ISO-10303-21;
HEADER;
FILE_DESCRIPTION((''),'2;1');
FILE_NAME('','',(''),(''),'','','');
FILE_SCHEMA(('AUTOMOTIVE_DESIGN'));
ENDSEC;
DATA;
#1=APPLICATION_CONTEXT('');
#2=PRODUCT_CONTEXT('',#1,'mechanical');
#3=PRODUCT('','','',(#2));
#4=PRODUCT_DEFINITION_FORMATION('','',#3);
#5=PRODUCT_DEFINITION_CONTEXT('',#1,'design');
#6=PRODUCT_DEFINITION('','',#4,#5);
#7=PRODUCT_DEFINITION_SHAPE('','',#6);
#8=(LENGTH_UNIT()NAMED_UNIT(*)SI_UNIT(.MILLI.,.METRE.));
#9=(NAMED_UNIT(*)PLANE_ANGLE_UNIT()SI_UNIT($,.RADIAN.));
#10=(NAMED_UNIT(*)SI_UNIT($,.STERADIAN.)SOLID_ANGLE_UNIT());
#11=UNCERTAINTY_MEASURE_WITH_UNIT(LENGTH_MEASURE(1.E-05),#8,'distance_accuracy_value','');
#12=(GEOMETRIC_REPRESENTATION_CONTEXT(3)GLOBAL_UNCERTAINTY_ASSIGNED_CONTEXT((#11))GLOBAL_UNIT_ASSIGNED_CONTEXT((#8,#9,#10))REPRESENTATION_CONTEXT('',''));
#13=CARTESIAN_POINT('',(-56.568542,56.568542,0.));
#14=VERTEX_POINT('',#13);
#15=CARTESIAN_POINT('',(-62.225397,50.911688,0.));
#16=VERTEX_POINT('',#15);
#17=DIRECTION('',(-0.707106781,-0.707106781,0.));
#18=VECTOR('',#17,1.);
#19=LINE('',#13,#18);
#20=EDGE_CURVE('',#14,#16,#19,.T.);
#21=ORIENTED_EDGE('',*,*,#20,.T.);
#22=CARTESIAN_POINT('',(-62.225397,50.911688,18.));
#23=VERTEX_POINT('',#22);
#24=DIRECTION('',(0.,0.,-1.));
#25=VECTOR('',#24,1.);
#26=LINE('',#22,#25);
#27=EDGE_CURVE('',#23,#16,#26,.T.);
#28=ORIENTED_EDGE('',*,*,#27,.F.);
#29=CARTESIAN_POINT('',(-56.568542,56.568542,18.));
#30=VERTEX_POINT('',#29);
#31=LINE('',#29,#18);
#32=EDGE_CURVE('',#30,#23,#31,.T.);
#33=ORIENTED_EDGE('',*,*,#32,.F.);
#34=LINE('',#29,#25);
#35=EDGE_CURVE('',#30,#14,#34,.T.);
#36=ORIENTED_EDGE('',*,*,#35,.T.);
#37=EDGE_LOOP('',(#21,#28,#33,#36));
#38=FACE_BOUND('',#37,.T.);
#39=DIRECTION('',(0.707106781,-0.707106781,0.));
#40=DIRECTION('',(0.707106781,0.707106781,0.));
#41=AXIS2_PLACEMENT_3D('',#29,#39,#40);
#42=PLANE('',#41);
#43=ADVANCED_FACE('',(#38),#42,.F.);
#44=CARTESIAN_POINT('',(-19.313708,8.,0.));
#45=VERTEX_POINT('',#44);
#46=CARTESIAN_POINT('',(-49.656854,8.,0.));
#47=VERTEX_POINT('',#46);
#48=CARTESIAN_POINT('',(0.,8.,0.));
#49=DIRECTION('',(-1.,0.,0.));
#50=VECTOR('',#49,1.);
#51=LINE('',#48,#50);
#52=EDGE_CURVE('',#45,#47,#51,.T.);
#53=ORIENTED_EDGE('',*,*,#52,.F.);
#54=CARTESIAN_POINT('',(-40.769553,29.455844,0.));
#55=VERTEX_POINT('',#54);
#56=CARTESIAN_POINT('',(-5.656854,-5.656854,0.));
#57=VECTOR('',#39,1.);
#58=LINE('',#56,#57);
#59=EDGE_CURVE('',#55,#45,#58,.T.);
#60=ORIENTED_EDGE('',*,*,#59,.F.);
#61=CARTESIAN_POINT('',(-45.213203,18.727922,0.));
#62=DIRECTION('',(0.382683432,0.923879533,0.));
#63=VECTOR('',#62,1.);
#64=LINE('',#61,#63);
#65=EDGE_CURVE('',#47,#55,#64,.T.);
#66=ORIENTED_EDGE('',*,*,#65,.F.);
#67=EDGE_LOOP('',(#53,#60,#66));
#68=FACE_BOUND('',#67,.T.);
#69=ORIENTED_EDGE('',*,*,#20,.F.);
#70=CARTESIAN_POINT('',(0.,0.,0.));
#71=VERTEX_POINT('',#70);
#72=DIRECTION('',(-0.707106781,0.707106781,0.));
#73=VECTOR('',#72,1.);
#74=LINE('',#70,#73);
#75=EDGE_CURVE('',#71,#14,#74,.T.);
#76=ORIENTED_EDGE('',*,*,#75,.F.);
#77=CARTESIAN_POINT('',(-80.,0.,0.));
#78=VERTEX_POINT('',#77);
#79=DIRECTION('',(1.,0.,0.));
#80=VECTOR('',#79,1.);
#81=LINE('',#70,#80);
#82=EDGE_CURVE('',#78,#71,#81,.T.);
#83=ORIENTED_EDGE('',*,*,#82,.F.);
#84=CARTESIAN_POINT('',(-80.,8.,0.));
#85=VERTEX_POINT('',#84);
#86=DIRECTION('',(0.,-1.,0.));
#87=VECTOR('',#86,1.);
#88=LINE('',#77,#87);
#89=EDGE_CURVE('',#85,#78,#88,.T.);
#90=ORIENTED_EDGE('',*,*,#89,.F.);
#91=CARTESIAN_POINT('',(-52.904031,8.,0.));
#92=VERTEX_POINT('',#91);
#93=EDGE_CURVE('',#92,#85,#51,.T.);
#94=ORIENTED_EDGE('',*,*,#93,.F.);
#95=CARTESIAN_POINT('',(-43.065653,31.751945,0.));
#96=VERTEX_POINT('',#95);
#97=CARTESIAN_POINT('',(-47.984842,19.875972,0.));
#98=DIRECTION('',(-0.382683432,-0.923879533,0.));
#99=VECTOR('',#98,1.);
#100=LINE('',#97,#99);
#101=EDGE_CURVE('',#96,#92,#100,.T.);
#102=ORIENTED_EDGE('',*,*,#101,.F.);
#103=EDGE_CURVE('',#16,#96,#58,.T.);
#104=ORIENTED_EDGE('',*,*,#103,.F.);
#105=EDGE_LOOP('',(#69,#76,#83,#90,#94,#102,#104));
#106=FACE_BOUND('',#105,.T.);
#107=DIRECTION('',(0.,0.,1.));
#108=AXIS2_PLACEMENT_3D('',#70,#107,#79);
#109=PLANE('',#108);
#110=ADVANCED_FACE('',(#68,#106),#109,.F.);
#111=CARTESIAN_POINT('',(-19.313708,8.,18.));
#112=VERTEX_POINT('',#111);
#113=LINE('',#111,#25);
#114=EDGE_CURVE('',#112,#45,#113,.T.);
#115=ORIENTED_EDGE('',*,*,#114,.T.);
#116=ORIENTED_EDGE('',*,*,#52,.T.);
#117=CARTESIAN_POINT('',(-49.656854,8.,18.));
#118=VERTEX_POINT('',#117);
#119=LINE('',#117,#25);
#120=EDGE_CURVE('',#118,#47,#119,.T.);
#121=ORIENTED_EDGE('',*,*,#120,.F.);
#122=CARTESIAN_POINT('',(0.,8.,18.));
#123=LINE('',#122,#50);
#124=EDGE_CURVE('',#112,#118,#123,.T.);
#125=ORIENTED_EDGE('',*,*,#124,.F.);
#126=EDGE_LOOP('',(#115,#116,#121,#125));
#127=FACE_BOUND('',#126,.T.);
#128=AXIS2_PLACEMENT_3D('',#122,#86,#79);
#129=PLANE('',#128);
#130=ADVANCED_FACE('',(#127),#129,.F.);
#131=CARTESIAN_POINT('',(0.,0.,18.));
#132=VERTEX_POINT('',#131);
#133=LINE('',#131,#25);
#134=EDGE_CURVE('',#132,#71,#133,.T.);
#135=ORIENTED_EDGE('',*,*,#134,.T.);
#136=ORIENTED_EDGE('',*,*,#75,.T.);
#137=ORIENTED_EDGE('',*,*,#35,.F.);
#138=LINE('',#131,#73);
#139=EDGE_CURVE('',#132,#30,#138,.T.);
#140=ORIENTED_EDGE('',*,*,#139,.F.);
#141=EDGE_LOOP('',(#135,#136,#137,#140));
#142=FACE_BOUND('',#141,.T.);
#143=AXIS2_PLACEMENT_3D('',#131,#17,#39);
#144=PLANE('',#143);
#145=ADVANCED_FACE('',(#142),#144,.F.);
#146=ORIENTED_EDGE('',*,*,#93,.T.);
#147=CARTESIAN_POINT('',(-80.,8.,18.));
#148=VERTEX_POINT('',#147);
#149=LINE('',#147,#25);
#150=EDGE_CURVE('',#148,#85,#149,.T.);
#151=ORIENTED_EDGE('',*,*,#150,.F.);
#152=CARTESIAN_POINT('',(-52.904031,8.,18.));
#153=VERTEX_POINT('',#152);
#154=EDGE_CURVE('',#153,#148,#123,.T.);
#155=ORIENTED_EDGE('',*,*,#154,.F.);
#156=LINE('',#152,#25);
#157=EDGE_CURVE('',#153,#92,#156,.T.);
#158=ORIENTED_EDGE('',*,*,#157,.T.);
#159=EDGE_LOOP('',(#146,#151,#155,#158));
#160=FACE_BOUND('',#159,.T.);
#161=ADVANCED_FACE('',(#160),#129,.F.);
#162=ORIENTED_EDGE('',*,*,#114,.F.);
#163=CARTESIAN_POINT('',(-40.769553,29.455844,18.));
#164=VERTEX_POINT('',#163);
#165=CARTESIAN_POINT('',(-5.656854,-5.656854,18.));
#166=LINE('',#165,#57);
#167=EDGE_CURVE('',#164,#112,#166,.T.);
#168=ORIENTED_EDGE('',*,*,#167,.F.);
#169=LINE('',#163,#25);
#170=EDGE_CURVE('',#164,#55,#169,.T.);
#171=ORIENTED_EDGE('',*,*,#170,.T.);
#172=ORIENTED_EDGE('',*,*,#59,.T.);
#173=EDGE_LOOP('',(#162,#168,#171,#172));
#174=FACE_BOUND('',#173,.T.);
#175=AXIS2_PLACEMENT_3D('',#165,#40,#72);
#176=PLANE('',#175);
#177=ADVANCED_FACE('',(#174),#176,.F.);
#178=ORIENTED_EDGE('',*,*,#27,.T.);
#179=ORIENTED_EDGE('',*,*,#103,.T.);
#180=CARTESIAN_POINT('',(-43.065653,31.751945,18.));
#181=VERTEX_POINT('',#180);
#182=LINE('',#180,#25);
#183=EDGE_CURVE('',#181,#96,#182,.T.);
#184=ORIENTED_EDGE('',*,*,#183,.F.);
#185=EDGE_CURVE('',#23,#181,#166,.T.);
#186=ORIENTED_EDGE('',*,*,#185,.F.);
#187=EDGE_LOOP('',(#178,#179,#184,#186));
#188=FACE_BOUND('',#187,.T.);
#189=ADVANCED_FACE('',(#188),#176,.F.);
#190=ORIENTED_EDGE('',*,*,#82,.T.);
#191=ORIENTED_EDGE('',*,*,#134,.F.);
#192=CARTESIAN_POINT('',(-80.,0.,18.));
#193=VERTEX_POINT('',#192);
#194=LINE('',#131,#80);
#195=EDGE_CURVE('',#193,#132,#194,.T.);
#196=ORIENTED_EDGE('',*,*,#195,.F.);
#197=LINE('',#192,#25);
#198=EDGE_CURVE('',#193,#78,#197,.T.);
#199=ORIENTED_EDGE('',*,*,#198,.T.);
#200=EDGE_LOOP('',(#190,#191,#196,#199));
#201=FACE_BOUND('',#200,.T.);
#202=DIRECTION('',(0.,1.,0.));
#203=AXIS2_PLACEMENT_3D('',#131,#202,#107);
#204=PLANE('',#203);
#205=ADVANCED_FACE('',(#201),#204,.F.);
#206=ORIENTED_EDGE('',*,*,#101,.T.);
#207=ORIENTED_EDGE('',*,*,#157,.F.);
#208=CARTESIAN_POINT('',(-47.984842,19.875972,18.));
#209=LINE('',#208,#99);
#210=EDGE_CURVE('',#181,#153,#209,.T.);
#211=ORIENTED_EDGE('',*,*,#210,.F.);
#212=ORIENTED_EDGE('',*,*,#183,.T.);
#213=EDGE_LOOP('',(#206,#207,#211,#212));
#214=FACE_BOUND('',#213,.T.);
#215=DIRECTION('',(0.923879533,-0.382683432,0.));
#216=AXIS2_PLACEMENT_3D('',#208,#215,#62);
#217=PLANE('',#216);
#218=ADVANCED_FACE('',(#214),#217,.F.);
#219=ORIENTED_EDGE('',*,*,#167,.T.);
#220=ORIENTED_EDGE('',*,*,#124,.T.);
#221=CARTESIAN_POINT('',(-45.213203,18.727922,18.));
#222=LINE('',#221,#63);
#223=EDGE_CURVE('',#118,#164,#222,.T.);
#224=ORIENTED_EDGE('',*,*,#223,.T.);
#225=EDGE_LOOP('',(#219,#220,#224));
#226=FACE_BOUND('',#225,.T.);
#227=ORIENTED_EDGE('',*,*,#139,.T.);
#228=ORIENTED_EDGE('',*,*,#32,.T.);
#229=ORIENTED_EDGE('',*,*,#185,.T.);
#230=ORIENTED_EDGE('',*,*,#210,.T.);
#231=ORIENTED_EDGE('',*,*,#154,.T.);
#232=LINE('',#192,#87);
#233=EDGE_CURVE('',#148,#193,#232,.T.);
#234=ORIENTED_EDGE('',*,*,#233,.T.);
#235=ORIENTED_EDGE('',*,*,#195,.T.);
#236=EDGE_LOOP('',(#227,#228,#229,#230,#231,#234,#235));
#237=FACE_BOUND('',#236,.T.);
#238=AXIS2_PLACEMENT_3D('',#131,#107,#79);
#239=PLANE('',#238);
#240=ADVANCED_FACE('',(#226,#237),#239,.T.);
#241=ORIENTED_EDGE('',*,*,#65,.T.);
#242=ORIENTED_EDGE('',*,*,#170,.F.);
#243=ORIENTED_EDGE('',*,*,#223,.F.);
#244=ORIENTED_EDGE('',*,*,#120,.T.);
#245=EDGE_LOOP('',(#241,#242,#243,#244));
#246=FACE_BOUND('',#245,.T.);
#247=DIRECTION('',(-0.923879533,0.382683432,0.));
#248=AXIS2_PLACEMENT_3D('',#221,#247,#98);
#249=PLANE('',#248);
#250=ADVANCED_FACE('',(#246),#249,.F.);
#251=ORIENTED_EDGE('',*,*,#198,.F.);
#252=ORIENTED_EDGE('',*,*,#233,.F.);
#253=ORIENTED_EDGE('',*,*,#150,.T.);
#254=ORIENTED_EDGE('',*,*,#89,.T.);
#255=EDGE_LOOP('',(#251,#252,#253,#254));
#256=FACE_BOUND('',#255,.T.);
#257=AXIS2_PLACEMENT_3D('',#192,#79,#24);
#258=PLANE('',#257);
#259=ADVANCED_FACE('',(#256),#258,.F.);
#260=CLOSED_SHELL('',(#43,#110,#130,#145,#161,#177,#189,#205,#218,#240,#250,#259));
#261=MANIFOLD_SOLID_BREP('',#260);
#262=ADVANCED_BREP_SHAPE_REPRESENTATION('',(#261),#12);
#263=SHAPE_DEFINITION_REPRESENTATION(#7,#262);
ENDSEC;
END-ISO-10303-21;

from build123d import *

# Parameters (mm, degrees)
EXTRUDE_1_DEPTH = 18


with BuildPart() as part:
    # 草图1 → 凸台-拉伸1 (new body)
    with BuildSketch(Plane.XY):
        Polygon((-19.313708499, 8), (-80, 8), (-80, 0), (0, 0), (-56.568542495, 56.568542495), (-62.225396744, 50.911688245), align=None)
        Polygon((-43.065653216, 31.751944717), (-52.90403085, 8), (-49.656854249, 8), (-40.769552622, 29.455844123), align=None)
    extrude(amount=EXTRUDE_1_DEPTH)


solid = part.part
